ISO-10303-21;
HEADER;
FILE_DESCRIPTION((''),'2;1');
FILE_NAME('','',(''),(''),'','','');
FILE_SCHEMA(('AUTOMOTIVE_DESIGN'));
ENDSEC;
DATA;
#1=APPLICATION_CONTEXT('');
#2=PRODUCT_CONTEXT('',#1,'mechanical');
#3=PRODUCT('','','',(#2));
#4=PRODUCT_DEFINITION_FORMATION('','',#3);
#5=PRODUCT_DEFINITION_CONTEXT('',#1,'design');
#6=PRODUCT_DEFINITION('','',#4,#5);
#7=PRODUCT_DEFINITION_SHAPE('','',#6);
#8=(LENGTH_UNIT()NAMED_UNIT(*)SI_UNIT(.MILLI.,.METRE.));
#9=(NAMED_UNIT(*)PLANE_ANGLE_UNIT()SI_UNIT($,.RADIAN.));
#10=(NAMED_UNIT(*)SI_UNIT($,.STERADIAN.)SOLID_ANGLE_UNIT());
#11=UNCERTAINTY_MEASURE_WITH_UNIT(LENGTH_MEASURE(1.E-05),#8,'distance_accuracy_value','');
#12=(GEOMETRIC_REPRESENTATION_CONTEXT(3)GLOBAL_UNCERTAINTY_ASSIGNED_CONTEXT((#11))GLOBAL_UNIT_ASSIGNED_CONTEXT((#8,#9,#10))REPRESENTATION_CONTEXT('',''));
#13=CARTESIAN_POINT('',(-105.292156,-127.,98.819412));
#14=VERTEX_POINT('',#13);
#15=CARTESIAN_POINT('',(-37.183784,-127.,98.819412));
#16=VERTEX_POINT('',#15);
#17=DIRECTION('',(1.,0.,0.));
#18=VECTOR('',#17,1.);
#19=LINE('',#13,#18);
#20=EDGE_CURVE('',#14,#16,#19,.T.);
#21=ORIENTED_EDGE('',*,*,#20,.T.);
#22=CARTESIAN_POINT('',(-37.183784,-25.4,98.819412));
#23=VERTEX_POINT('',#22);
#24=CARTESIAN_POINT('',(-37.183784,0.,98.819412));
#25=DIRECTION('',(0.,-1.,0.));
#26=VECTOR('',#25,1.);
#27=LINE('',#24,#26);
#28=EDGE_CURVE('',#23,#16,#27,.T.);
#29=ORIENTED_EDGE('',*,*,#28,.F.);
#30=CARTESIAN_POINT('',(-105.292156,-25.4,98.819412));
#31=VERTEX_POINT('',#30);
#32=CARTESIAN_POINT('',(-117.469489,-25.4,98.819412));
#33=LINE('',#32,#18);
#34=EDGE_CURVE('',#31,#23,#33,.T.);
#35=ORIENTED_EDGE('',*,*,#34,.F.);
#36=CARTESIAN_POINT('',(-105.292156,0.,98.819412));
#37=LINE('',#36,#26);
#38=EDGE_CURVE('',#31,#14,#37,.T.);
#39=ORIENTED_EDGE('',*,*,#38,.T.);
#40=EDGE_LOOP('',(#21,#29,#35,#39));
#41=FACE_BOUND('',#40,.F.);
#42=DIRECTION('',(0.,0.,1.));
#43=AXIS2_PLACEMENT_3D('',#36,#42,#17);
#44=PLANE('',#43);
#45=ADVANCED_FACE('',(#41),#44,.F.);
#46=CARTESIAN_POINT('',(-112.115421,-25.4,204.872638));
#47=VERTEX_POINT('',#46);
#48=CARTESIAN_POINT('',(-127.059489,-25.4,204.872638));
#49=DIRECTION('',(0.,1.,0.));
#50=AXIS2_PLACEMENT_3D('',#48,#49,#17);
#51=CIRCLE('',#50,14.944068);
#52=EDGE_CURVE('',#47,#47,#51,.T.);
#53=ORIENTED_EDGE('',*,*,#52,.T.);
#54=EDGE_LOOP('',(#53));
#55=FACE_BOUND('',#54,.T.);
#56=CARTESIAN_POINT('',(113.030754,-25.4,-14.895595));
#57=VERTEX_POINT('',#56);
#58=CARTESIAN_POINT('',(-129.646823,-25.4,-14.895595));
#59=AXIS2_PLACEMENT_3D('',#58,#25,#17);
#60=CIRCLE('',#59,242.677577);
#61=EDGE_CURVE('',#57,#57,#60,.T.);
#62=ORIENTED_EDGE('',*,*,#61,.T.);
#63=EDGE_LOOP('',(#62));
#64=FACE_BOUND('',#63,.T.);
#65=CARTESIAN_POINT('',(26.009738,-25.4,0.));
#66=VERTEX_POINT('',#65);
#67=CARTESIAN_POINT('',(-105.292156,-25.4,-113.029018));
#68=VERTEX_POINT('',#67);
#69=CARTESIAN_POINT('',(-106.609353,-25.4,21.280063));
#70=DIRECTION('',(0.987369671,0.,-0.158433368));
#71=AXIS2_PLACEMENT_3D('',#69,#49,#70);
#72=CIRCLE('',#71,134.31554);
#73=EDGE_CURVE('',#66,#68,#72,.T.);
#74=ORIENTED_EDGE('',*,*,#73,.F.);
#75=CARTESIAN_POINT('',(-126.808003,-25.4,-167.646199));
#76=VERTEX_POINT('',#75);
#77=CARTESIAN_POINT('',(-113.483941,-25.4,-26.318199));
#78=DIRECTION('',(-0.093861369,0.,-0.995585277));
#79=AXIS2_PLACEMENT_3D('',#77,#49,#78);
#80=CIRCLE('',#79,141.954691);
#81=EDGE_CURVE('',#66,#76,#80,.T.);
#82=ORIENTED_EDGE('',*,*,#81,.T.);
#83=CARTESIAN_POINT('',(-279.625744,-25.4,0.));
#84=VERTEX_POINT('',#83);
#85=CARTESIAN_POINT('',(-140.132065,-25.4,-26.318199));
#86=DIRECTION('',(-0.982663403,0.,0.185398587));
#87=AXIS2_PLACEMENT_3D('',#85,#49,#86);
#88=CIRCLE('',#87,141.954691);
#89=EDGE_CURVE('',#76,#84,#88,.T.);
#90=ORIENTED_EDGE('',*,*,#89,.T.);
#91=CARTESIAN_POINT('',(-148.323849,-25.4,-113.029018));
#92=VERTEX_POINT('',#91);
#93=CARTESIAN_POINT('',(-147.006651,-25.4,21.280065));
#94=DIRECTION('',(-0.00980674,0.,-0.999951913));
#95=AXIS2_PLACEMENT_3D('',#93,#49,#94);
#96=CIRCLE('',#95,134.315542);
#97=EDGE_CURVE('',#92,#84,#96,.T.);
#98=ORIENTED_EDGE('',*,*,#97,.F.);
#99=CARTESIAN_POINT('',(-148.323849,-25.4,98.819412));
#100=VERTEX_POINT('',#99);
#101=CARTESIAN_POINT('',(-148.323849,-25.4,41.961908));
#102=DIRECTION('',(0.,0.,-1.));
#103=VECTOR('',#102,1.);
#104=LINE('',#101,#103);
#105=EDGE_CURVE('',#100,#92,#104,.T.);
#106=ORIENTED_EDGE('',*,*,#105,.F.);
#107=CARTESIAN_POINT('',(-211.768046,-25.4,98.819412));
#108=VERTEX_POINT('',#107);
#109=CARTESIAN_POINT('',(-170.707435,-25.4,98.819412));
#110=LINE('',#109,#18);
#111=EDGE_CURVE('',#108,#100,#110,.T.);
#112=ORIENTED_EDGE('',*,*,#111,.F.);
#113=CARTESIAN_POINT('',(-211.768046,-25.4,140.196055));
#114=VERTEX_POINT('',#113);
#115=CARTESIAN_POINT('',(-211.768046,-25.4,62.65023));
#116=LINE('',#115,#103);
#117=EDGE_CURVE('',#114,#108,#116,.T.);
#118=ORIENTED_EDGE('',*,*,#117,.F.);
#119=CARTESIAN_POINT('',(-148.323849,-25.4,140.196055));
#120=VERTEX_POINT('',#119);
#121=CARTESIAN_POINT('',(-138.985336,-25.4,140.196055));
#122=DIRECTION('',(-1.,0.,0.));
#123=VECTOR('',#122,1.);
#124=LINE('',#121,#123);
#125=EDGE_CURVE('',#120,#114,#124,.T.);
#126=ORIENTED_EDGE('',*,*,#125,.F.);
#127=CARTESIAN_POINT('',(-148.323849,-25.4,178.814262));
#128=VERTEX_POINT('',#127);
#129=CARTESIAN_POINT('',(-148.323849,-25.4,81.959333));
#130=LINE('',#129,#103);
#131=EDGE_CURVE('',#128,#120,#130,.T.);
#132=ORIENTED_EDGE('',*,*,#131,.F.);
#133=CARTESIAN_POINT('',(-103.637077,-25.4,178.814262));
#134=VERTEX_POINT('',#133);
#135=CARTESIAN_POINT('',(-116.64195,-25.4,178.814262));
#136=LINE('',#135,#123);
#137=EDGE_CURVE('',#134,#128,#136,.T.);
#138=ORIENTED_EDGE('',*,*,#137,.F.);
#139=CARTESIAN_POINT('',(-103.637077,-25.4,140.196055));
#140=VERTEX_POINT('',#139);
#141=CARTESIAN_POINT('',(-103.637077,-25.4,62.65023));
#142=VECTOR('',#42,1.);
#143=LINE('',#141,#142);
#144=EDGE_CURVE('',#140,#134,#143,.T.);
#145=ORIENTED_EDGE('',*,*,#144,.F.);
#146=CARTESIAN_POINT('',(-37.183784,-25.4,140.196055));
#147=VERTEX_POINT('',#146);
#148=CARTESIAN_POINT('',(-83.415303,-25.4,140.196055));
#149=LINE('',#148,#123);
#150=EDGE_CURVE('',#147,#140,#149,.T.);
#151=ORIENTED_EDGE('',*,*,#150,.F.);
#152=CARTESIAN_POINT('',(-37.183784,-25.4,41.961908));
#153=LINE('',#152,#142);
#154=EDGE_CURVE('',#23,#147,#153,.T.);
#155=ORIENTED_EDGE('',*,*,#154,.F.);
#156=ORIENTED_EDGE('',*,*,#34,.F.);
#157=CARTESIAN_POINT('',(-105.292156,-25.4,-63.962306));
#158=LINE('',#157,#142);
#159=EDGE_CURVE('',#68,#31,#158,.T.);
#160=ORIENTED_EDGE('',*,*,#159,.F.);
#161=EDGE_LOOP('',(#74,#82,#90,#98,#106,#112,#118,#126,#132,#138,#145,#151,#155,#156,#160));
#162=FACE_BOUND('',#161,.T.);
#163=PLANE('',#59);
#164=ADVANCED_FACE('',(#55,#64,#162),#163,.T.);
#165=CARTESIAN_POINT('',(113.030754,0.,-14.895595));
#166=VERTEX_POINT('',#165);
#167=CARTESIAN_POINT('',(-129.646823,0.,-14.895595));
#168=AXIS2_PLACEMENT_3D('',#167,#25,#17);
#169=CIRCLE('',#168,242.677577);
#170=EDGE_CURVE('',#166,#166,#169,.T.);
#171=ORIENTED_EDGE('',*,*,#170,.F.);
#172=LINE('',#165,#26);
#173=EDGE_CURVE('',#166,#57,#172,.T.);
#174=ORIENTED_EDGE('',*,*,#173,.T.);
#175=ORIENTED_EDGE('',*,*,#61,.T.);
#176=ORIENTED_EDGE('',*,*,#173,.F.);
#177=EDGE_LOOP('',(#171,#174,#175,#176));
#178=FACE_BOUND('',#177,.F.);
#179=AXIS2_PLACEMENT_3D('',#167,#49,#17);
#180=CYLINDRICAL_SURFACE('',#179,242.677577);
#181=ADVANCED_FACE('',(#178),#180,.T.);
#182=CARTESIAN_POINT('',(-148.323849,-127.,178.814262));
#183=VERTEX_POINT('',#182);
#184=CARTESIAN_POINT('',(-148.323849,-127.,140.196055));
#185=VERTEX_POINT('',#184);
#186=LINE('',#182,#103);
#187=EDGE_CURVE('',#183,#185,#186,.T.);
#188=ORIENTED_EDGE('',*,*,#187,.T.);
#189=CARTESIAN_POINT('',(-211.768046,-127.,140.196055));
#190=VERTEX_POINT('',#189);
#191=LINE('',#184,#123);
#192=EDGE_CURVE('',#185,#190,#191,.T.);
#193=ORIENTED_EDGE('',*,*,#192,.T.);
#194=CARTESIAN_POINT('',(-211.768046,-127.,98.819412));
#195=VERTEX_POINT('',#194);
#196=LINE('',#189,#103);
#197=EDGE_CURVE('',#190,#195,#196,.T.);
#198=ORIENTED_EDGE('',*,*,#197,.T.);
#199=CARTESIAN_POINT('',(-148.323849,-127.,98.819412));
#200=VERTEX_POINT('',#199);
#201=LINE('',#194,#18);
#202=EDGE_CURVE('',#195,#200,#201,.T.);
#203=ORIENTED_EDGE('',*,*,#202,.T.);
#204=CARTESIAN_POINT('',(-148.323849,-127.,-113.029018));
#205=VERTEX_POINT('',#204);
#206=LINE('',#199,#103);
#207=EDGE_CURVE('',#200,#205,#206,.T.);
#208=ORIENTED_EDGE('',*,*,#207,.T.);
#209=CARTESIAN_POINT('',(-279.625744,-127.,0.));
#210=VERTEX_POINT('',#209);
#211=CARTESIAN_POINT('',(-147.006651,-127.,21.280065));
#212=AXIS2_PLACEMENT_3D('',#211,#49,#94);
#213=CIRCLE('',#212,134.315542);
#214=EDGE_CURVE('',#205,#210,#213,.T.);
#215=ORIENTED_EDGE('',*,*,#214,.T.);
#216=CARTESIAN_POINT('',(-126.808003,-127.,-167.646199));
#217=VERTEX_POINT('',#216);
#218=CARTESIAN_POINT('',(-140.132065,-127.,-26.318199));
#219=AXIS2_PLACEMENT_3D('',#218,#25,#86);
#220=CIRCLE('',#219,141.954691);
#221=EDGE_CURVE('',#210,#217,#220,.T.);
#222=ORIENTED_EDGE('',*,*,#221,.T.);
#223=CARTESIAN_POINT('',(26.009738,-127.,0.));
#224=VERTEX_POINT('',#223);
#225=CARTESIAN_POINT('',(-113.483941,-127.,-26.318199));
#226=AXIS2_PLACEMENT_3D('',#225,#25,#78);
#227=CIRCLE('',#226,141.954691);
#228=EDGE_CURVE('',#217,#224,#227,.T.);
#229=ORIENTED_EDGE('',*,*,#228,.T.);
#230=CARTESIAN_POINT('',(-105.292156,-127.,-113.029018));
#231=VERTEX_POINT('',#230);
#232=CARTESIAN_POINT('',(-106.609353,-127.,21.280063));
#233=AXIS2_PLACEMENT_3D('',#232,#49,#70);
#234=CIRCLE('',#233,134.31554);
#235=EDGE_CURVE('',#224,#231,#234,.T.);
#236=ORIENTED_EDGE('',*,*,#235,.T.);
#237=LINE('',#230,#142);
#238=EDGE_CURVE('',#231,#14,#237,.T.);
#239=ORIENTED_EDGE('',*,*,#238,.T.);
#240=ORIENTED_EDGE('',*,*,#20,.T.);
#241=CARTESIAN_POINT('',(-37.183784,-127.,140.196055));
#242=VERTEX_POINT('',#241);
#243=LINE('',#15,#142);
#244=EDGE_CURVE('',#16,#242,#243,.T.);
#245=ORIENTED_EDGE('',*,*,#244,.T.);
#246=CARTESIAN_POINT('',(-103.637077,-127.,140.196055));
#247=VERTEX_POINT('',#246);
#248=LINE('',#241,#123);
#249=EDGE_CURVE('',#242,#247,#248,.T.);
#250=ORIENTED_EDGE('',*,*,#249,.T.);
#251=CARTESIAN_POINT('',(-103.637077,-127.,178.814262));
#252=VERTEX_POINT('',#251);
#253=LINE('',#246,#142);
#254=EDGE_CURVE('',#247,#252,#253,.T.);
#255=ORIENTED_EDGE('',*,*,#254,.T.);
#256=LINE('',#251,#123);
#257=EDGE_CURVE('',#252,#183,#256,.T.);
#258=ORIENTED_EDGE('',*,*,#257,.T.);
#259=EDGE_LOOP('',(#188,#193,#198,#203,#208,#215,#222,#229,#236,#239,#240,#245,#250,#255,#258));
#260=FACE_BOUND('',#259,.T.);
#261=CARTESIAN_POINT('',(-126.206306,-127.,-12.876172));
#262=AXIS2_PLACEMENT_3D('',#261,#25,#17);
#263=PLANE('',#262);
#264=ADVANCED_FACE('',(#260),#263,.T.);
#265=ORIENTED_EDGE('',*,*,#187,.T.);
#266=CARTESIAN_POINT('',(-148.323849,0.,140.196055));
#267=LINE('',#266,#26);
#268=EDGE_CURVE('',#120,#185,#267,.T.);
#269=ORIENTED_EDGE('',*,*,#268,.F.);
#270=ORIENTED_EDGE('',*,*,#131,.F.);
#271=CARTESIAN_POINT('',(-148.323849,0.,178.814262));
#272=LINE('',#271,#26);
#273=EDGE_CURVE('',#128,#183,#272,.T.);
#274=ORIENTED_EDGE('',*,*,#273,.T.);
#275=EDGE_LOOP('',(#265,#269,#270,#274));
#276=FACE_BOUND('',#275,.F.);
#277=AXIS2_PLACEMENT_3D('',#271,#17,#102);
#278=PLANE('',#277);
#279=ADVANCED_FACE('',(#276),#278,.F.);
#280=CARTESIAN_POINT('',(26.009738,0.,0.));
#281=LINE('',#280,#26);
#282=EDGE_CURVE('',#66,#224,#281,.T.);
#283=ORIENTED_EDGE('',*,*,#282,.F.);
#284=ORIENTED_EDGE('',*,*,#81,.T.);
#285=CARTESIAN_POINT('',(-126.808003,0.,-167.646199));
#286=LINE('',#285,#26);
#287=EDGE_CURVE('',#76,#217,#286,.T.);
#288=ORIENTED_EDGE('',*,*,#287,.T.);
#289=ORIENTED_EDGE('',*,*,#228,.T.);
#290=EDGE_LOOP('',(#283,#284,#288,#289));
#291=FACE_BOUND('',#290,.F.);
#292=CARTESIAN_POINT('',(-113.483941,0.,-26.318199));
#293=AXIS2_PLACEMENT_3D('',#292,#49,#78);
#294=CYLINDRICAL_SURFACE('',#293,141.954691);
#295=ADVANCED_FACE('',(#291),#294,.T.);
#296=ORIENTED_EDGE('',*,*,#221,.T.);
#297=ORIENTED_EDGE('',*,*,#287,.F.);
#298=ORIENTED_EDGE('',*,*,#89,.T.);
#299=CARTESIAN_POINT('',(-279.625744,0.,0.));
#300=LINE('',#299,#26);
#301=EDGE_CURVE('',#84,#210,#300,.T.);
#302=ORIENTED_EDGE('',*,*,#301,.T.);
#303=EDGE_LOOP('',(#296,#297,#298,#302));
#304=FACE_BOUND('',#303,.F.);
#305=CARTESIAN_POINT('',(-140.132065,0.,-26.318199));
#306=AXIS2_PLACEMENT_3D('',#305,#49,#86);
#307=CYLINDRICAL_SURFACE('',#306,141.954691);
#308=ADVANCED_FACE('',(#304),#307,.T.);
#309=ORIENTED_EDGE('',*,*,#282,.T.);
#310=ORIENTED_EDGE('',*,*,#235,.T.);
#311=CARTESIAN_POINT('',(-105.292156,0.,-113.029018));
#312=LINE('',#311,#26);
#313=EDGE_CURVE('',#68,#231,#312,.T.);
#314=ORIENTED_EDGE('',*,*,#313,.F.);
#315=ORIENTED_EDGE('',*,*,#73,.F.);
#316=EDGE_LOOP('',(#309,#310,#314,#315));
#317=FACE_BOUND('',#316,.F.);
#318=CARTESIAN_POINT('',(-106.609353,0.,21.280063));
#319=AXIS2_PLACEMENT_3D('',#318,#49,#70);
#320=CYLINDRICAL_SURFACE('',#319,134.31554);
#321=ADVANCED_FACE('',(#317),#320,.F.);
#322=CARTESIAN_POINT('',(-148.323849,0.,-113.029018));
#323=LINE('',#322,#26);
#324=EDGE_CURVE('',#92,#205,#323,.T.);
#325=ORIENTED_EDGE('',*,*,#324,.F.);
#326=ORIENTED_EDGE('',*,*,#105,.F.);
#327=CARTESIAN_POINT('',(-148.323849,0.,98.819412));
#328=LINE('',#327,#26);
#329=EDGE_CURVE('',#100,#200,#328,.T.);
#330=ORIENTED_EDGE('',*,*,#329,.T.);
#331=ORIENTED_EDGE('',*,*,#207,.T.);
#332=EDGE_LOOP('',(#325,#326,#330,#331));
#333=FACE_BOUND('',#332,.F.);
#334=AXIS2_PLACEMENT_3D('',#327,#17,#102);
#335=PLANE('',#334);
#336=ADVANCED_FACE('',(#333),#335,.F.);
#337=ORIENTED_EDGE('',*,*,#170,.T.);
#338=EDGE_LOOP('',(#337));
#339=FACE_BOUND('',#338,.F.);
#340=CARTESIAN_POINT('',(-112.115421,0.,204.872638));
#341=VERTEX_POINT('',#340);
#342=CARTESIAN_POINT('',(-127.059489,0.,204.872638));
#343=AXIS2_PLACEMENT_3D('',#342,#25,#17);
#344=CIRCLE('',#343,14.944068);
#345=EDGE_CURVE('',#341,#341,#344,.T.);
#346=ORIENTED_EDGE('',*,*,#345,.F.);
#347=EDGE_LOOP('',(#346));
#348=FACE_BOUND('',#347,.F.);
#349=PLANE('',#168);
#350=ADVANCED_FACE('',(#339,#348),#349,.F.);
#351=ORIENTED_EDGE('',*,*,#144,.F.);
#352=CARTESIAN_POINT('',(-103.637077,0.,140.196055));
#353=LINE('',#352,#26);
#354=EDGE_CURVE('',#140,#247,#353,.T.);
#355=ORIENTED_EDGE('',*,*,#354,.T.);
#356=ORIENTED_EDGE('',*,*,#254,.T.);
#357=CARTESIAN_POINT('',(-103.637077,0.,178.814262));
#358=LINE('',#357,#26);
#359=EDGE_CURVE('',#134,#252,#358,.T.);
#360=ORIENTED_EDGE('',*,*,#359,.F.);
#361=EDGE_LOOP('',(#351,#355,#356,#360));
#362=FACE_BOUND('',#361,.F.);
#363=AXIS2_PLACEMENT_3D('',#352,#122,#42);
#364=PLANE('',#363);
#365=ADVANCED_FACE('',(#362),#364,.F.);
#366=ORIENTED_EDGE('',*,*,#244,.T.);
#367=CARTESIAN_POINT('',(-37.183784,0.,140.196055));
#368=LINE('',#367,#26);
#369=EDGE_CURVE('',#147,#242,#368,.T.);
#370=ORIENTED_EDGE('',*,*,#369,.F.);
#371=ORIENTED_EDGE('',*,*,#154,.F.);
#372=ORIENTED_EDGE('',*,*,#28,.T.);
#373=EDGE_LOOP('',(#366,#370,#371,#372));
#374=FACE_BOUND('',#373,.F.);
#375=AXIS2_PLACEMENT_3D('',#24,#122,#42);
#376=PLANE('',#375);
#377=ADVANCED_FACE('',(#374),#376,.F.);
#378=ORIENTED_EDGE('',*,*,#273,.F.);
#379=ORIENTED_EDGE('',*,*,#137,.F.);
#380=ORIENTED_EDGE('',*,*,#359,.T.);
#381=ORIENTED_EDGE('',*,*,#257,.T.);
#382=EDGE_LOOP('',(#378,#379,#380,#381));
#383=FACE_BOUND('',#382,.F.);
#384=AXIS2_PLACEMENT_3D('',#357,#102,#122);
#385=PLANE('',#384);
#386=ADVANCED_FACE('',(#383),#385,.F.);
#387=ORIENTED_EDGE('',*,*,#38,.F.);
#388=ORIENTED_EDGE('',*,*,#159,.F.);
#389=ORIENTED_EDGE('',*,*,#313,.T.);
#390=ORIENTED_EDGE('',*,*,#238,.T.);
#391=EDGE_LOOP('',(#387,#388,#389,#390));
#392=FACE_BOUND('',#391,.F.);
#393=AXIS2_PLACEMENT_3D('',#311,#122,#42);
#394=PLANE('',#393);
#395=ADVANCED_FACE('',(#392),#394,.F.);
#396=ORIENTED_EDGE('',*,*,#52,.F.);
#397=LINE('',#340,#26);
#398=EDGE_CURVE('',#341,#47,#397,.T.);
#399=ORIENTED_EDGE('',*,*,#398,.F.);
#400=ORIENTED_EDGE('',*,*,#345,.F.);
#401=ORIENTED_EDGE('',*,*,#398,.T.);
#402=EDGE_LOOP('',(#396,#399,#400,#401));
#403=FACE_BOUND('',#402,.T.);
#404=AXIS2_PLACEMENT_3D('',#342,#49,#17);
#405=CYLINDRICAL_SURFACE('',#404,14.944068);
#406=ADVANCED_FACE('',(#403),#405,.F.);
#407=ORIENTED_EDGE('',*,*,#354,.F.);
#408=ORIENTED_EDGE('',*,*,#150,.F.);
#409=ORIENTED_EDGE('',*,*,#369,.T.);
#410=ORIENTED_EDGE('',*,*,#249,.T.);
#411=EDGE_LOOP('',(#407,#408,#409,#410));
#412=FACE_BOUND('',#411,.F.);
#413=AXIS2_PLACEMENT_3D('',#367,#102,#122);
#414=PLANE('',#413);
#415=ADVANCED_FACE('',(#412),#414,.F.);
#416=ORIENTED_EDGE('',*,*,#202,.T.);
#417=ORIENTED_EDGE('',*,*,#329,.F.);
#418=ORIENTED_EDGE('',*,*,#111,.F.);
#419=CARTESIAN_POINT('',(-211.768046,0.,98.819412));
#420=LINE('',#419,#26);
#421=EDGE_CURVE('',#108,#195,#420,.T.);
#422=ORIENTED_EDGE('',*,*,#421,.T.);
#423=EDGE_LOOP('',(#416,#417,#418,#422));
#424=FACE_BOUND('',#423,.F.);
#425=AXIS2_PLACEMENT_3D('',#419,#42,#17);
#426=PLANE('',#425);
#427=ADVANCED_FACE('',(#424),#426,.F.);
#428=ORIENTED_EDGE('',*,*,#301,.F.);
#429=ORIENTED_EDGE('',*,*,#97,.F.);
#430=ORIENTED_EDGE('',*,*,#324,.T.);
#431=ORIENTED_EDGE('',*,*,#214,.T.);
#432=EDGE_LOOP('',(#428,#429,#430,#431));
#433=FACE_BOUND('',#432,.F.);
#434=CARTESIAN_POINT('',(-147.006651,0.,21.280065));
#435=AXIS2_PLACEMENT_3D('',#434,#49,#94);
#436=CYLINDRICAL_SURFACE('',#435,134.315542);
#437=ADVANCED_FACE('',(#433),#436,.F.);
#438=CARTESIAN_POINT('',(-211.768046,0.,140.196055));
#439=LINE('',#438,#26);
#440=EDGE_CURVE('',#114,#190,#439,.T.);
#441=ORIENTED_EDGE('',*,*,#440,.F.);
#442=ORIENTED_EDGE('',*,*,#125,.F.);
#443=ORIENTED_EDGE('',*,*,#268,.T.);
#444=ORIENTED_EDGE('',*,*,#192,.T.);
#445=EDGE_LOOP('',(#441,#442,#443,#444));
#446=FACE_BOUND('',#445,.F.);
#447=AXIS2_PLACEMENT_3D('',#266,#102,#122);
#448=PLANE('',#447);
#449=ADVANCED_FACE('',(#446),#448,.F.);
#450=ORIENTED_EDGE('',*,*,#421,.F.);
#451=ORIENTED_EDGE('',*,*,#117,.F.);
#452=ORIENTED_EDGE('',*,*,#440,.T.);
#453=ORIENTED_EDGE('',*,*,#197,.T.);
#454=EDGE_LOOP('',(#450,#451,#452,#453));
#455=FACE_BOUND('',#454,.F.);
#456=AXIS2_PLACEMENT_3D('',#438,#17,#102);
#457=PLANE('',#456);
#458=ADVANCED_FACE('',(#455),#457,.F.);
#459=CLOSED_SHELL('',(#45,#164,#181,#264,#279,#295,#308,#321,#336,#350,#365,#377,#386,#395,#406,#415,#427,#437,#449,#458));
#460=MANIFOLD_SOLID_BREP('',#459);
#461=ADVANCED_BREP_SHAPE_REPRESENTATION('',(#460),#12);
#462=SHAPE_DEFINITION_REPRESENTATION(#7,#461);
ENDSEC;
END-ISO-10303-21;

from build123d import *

# Parameters (mm, degrees)
F1_DEPTH = 127
F2_R     = 242.677577
F3_DEPTH = 25.4
F4_R     = 14.944068
F5_DEPTH = 25.4
F6_DEPTH = 25.4
F7_DEPTH = 127.001


with BuildPart() as f1:
    # F0 (on Front) → F1 (new body)
    with BuildSketch(Plane.XZ):
        with BuildLine():
            Line((-211.768046, 98.819412), (-148.323849, 98.819412))
            Line((-148.323849, 98.819412), (-148.323849, -113.029018))
            ThreePointArc((-148.323849, -113.029018), (-234.634399, -80.514054), (-279.625744, 0))
            ThreePointArc((-279.625744, 0), (-245.041574, -121.948367), (-126.808003, -167.646199))
            ThreePointArc((-126.808003, -167.646199), (-8.574432, -121.948367), (26.009738, 0))
            ThreePointArc((26.009738, 0), (-18.981606, -80.514054), (-105.292156, -113.029018))
            Line((-105.292156, -113.029018), (-105.292156, 98.819412))
            Line((-105.292156, 98.819412), (-37.183784, 98.819412))
            Line((-37.183784, 98.819412), (-37.183784, 140.196055))
            Line((-37.183784, 140.196055), (-103.637077, 140.196055))
            Line((-103.637077, 140.196055), (-103.637077, 178.814262))
            Line((-103.637077, 178.814262), (-148.323849, 178.814262))
            Line((-148.323849, 178.814262), (-148.323849, 140.196055))
            Line((-148.323849, 140.196055), (-211.768046, 140.196055))
            Line((-211.768046, 140.196055), (-211.768046, 98.819412))
        make_face()
    extrude(amount=F1_DEPTH)

    # F2 (on Front) → F3 (join)
    with BuildSketch(Plane.XZ):
        with Locations((-129.646823, -14.895595)):
            Circle(F2_R)
    extrude(amount=F3_DEPTH)

    # F4 (on Front) → F5 (join)
    with BuildSketch(Plane.XZ):
        with Locations((-127.059489, 204.872638)):
            Circle(F4_R)
    extrude(amount=F5_DEPTH)

    # F4 (on Front) → F6 (join)
    with BuildSketch(Plane.XZ):
        with Locations((-127.059489, 204.872638)):
            Circle(F4_R)
    extrude(amount=F6_DEPTH)

    # F4 (on Front) → F7 (cut, through all)
    with BuildSketch(Plane.XZ):
        with Locations((-127.059489, 204.872638)):
            Circle(F4_R)
    extrude(amount=F7_DEPTH, mode=Mode.SUBTRACT)


solid = f1.part
